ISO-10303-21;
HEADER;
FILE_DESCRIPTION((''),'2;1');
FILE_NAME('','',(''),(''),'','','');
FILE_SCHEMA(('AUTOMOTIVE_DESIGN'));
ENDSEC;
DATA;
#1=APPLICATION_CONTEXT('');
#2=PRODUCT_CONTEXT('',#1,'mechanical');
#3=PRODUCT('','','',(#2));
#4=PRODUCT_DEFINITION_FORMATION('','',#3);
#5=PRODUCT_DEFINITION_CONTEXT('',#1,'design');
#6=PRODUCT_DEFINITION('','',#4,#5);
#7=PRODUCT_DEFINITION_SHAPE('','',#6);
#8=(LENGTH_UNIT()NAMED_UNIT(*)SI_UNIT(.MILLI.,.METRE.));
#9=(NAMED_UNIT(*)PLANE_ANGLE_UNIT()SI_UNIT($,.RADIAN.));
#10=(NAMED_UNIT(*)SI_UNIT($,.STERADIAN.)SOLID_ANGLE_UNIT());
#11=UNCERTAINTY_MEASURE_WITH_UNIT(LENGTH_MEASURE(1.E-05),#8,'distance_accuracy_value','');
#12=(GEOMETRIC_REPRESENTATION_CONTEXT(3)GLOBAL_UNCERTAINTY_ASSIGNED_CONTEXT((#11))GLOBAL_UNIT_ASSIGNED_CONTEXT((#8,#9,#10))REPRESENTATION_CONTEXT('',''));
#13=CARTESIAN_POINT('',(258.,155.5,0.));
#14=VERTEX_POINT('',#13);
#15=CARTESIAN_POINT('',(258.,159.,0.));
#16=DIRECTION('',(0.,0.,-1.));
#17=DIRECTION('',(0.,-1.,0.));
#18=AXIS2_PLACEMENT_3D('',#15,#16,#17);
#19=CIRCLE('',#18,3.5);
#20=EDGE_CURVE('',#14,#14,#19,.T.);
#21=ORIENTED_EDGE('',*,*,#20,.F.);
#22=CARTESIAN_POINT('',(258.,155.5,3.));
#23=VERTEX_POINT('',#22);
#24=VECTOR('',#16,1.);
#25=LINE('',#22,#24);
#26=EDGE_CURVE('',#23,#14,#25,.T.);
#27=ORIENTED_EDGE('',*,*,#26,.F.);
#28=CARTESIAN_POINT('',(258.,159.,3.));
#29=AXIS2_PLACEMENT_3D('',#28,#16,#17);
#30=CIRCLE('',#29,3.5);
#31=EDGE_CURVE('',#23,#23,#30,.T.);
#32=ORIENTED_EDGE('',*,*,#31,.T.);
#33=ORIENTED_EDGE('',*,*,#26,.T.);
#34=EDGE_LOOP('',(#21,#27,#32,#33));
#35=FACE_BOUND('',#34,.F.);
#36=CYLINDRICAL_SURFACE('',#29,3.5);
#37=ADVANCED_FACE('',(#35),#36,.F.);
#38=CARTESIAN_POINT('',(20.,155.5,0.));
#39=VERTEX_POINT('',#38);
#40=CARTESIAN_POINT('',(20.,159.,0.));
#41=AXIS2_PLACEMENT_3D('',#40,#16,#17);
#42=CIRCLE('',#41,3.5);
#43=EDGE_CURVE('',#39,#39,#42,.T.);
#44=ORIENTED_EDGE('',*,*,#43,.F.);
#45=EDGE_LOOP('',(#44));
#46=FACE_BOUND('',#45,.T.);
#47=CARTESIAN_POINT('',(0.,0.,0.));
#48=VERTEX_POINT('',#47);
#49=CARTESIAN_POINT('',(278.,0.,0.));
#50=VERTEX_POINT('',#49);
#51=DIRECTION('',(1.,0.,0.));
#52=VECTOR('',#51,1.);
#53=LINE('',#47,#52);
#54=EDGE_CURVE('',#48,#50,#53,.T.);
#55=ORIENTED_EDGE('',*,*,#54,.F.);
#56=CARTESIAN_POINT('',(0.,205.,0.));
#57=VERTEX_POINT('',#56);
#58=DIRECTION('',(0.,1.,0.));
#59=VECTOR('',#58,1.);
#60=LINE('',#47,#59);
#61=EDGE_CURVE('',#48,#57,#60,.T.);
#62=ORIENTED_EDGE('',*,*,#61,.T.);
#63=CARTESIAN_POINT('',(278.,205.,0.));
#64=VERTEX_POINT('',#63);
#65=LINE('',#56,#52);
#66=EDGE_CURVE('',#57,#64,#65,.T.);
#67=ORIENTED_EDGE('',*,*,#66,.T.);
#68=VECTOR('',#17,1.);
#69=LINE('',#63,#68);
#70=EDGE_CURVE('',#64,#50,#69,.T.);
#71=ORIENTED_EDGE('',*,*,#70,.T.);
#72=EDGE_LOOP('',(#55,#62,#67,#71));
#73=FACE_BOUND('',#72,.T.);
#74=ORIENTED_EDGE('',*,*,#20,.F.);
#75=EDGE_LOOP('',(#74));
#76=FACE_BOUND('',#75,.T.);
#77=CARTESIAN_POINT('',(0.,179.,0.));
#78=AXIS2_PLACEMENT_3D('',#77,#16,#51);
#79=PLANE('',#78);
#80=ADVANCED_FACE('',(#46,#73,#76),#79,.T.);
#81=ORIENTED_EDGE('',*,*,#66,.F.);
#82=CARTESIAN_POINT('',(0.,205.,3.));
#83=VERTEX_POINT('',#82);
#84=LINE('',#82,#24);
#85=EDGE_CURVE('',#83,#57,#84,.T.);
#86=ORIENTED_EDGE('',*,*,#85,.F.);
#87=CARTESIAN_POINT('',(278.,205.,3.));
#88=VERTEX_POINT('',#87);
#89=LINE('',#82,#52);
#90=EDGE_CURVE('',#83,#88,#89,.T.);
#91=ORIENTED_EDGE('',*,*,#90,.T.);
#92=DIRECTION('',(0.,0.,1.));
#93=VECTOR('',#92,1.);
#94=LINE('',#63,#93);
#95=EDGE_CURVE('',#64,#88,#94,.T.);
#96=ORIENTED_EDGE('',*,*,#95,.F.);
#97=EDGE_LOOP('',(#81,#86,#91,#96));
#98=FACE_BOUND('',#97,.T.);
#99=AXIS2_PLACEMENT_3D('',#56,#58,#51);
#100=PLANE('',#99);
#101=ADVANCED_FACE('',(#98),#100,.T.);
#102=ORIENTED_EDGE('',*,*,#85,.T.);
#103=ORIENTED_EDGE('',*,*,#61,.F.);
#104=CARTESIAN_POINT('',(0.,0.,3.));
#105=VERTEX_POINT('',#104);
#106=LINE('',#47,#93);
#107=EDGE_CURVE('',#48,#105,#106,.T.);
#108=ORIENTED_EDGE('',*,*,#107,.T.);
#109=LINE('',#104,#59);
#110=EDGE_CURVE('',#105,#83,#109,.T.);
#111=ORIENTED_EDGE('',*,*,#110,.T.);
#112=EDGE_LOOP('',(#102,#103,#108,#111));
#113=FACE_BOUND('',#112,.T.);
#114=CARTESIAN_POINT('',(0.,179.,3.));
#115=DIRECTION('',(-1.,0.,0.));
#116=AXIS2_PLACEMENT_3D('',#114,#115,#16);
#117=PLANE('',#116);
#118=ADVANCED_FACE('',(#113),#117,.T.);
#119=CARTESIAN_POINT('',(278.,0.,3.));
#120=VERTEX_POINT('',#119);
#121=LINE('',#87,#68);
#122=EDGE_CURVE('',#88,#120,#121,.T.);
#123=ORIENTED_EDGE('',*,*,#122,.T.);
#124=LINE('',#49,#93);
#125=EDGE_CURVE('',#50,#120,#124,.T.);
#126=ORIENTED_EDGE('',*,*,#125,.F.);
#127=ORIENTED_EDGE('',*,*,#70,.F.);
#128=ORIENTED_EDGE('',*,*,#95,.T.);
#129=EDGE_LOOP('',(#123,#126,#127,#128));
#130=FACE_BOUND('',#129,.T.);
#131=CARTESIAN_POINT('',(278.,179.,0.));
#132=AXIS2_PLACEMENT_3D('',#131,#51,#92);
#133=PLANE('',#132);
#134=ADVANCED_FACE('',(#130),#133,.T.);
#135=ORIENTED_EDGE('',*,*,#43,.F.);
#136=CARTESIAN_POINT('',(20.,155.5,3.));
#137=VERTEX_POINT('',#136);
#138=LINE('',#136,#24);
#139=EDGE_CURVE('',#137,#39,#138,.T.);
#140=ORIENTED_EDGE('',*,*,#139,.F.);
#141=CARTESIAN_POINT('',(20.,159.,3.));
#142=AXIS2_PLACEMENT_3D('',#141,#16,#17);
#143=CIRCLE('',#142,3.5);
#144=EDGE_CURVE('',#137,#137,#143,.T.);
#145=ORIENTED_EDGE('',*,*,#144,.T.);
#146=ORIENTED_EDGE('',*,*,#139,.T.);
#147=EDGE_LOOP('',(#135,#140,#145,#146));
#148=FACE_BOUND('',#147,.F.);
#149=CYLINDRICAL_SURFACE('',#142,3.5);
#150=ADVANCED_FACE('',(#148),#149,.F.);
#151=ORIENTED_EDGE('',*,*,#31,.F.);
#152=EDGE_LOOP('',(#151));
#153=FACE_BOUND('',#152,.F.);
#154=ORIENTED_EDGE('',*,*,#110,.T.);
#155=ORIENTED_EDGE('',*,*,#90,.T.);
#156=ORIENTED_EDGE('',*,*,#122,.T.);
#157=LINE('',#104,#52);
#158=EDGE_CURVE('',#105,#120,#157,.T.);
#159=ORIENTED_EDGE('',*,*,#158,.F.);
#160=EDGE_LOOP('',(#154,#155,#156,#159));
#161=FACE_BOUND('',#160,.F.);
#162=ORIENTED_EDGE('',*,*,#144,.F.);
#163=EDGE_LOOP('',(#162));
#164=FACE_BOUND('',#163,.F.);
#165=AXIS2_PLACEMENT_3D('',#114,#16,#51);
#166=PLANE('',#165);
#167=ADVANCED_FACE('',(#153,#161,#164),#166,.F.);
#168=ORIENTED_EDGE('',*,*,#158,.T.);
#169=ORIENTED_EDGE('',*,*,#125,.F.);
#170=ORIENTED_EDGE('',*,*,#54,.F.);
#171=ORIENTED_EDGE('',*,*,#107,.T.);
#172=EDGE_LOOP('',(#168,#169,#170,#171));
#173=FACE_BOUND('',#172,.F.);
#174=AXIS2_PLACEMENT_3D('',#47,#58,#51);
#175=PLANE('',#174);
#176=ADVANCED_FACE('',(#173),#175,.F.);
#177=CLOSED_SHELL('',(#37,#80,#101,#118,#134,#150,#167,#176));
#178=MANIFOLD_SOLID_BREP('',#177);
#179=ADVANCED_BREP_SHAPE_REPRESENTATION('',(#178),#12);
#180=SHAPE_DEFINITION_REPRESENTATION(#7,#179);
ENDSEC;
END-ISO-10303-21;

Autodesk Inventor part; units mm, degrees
ref_plane "YZ Plane" through (0, 0, 0) normal (1, 0, 0) x (0, 1, 0)
ref_plane "XZ Plane" through (0, 0, 0) normal (0, 1, 0) x (-1, 0, 0)
ref_plane "XY Plane" through (0, 0, 0) normal (0, 0, 1) x (1, 0, 0)
sketch "Sketch1" plane through (0, 0, 0) normal (0, 0, 1) x (1, 0, 0)
  line L0 (0, 0) -> (278, 0)
  line L1 (278, 0) -> (278, 179)
  line L2 (278, 179) -> (0, 179)
  line L3 (0, 179) -> (0, 0)
  dimension "d0" = 278
  dimension "d1" = 179
extrude "Extrusion1" add sketch "Sketch1" along normal blind 3
sketch "Sketch2" plane through (0, 0, 3) normal (0, 0, 1) x (1, 0, 0)
  line L0 (0, 179) -> (0, 0) projected
  line L1 (278, 179) -> (0, 179) projected
  line L2 (278, 0) -> (278, 179) projected
  point P0 (20, 159)
  point P1 (258, 159)
  dimension "d4" = 20
  dimension "d5" = 20
  dimension "d6" = 20
  dimension "d7" = 20
hole "Hole1" at (20, 159, 3) at (258, 159, 3) direction (0, 0, -1) diameter 7 end through all
sketch "Sketch6" plane through (0, 179, 0) normal (0, 1, 0) x (1, 0, 0)
  line L0 (0, 0) -> (278, 0) projected
  line L1 (0, -3) -> (278, -3) projected
  line L2 (0, 0) -> (278, 0)
  line L3 (278, 0) -> (278, -3)
  line L4 (278, -3) -> (0, -3)
  line L5 (0, -3) -> (0, 0)
extrude "Extrusion2" add sketch "Sketch6" along normal blind 26
sketch "Sketch7" plane through (0, 0, 0) normal (0, 0, -1) x (-1, 0, 0)
  circle A0 centre (-92.17, 33.13) radius 1.5875 projected
  circle A1 centre (-165.83, 33.13) radius 1.5875 projected
  circle A2 centre (-166.592, 118.855) radius 1.5875 projected
  circle A3 centre (-88.36, 118.855) radius 1.5875 projected
  circle A4 centre (-8.5, 51.55) radius 1.6 projected
  circle A5 centre (-72.5, 51.55) radius 1.6 projected
  circle A6 centre (-72.5, 142.5) radius 1.6 projected
  circle A7 centre (-8.5, 142.5) radius 1.6 projected
  circle A8 centre (-86.6, 132.5) radius 1.6 projected
  circle A9 centre (-86.6, 196.5) radius 1.6 projected
  circle A10 centre (-177.55, 196.5) radius 1.6 projected
  circle A11 centre (-177.55, 132.5) radius 1.6 projected
  circle A12 centre (-184.55, 132.5) radius 1.6 projected
  circle A13 centre (-184.55, 196.5) radius 1.6 projected
  circle A14 centre (-275.5, 196.5) radius 1.6 projected
  circle A15 centre (-275.5, 132.5) radius 1.6 projected
  circle A16 centre (-275.5, 113.5) radius 1.6 projected
  circle A17 centre (-275.5, 49.5) radius 1.6 projected
  circle A18 centre (-184.55, 49.5) radius 1.6 projected
  circle A19 centre (-184.55, 113.5) radius 1.6 projected
  line L0 (0, 0) -> (-278, 0) projected
  line L1 (0, 0) -> (0, 205) projected
  line L2 (-278, 205) -> (0, 205) projected
  line L3 (-278, 0) -> (-278, 205) projected
  dimension "d41" = 33.13
  dimension "d42" = 51.55
  dimension "d43" = 51.55
  dimension "d44" = 8.5
  dimension "d45" = 72.5
  dimension "d46" = 88.36
  dimension "d47" = 92.17
  dimension "d48" = 165.83
  dimension "d49" = 166.592
  dimension "d50" = 86.6
  dimension "d51" = 177.55
  dimension "d52" = 8.5
  dimension "d53" = 72.5
  dimension "d54" = 2.5
  dimension "d55" = 93.45
  dimension "d56" = 91.5
  dimension "d57" = 155.5
  dimension "d58" = 118.855
properties part number "SupportsheetADCS2" material "Aluminum 6061"
